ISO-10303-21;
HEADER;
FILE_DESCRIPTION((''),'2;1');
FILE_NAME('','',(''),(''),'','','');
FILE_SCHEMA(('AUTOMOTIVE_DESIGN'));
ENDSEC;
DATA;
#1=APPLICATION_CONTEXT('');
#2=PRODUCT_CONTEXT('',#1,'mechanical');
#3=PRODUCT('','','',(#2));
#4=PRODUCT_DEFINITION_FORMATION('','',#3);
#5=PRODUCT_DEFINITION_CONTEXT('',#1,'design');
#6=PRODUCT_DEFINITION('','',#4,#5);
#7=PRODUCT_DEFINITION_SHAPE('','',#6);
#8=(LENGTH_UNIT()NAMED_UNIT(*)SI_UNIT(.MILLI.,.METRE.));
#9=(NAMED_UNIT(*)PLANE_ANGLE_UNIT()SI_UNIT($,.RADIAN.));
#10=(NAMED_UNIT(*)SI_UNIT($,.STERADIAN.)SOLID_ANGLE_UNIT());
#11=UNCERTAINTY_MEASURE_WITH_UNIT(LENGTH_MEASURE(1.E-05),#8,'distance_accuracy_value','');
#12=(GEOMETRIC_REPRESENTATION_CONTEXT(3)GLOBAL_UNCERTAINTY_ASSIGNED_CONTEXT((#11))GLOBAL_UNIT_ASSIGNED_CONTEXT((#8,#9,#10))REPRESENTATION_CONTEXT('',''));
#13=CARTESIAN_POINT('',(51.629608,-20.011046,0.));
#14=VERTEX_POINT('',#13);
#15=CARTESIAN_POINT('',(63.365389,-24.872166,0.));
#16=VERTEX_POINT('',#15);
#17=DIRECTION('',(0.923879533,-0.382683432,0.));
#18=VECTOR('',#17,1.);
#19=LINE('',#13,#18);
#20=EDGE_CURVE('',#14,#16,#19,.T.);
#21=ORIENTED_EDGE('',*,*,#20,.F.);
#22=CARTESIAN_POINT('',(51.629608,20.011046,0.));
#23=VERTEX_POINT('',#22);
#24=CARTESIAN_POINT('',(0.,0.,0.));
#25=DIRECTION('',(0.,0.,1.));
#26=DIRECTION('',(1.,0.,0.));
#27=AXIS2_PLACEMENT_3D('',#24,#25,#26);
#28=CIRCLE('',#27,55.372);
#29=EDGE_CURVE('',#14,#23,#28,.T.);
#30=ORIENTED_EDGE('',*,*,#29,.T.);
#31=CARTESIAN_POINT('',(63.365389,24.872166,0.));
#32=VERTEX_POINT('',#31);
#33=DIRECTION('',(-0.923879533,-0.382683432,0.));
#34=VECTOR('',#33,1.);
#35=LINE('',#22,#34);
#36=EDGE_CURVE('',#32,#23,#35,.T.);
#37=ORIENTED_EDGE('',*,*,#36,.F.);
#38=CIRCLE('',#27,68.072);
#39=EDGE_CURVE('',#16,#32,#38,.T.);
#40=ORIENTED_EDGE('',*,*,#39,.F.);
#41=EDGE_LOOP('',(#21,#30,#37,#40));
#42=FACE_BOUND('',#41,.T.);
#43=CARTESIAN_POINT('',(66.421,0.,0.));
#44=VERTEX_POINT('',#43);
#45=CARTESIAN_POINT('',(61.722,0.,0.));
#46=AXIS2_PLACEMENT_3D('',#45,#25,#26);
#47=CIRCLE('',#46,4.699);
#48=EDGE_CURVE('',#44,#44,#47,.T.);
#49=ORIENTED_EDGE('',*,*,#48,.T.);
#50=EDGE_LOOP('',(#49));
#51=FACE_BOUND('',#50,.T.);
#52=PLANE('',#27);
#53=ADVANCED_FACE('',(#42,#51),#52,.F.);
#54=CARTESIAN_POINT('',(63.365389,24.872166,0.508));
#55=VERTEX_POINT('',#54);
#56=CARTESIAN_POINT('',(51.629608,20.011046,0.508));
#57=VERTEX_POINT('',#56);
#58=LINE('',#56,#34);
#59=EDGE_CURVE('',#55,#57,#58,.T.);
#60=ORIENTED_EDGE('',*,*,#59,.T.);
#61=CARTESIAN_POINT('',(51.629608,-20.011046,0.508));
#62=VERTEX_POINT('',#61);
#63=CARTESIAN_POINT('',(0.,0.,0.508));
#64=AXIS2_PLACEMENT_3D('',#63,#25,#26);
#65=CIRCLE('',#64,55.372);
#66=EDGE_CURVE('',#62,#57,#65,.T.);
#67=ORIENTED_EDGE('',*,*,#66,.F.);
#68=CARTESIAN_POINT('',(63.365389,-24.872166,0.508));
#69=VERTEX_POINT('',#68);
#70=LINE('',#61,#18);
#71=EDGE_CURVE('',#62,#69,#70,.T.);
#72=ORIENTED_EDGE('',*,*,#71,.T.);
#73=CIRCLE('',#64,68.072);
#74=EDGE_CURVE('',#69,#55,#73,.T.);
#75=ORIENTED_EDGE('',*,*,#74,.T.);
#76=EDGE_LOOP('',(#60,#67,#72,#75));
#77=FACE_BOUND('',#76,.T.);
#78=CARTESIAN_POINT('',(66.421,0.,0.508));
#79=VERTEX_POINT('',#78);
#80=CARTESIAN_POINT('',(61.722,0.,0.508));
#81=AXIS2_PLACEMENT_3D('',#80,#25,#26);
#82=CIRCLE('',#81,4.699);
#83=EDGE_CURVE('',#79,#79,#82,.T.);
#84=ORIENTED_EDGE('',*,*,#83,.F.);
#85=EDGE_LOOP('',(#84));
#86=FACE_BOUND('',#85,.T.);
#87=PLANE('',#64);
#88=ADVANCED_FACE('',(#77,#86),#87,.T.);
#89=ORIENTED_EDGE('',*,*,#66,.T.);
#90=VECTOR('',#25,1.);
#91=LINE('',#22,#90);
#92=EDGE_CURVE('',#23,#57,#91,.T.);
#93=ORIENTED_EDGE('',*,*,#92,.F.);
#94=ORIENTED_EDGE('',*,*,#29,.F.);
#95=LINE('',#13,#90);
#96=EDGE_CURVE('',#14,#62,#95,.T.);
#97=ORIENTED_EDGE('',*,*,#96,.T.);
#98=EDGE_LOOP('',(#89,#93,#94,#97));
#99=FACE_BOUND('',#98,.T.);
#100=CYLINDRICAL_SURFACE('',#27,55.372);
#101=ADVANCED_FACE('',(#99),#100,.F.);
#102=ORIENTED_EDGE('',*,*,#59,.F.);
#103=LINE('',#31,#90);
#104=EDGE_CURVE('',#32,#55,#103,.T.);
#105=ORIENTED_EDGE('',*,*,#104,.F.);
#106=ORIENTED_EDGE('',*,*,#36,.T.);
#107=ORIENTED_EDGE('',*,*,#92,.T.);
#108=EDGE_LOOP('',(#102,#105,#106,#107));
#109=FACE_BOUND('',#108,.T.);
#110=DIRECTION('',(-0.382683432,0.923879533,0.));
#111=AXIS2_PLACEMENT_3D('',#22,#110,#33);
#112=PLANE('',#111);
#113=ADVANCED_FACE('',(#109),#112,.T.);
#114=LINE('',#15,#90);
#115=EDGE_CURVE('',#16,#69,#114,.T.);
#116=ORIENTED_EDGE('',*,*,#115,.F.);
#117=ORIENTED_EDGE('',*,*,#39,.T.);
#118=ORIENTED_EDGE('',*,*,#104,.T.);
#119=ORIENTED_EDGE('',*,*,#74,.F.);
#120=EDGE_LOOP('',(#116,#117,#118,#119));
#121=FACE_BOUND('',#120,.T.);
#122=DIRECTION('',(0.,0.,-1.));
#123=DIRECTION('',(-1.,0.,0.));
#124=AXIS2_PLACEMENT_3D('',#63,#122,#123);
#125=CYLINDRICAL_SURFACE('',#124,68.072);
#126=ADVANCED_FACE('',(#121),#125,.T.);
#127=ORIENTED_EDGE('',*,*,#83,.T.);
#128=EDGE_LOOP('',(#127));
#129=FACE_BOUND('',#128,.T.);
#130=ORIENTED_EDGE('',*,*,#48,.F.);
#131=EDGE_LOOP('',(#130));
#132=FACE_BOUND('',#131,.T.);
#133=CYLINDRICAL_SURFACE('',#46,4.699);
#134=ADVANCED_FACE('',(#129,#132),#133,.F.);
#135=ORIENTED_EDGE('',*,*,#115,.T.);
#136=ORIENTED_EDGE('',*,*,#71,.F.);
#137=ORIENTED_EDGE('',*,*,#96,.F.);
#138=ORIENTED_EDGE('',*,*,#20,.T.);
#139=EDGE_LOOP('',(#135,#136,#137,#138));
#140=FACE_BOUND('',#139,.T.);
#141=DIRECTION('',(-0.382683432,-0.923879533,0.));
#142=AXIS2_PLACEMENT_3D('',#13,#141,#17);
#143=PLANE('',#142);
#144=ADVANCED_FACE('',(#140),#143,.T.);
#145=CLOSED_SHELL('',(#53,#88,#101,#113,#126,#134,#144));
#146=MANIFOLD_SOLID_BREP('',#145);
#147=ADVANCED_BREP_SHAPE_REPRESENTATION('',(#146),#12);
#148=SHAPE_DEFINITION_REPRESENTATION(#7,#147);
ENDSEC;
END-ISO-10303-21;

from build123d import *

# Parameters (mm, degrees)
SKETCH4_R           = 68.072
BOSS_EXTRUDE2_DEPTH = 0.508
SKETCH5_R           = 55.372
CUT_EXTRUDE5_DEPTH  = 1.508
SKETCH6_R           = 4.699
CUT_EXTRUDE6_DEPTH  = 1.508
SKETCH8_OUTSIDE_W   = 176.652
SKETCH8_OUTSIDE_H   = 176.652
CUT_EXTRUDE11_DEPTH = 1.508


with BuildPart() as part:
    # Sketch4 → Boss-Extrude2 (new body)
    with BuildSketch(Plane.XY):
        Circle(SKETCH4_R)
    extrude(amount=BOSS_EXTRUDE2_DEPTH)

    # Sketch5 → Cut-Extrude5 (cut, through all)
    with BuildSketch(Plane.XY.offset(0.508)):
        Circle(SKETCH5_R)
    extrude(amount=-CUT_EXTRUDE5_DEPTH, mode=Mode.SUBTRACT)

    # Sketch6 → Cut-Extrude6 (cut, through all)
    with BuildSketch(Plane.XY.offset(0.508)):
        with Locations((61.722, 0)):
            Circle(SKETCH6_R)
    extrude(amount=-CUT_EXTRUDE6_DEPTH, mode=Mode.SUBTRACT)

    # Sketch8 outside → Cut-Extrude11 (cut, through all)
    with BuildSketch(Plane.XY.offset(0.508)):
        Rectangle(SKETCH8_OUTSIDE_W, SKETCH8_OUTSIDE_H)
        with BuildLine():
            Line((51.629608078, -20.011045792), (63.365389329, -24.872165551))
            ThreePointArc((63.365389329, -24.872165551), (68.072, 0), (63.365389329, 24.872165551))
            Line((63.365389329, 24.872165551), (51.629608078, 20.011045792))
            ThreePointArc((51.629608078, 20.011045792), (55.372, 0), (51.629608078, -20.011045792))
        make_face(mode=Mode.SUBTRACT)
    extrude(amount=-CUT_EXTRUDE11_DEPTH, mode=Mode.SUBTRACT)


solid = part.part
